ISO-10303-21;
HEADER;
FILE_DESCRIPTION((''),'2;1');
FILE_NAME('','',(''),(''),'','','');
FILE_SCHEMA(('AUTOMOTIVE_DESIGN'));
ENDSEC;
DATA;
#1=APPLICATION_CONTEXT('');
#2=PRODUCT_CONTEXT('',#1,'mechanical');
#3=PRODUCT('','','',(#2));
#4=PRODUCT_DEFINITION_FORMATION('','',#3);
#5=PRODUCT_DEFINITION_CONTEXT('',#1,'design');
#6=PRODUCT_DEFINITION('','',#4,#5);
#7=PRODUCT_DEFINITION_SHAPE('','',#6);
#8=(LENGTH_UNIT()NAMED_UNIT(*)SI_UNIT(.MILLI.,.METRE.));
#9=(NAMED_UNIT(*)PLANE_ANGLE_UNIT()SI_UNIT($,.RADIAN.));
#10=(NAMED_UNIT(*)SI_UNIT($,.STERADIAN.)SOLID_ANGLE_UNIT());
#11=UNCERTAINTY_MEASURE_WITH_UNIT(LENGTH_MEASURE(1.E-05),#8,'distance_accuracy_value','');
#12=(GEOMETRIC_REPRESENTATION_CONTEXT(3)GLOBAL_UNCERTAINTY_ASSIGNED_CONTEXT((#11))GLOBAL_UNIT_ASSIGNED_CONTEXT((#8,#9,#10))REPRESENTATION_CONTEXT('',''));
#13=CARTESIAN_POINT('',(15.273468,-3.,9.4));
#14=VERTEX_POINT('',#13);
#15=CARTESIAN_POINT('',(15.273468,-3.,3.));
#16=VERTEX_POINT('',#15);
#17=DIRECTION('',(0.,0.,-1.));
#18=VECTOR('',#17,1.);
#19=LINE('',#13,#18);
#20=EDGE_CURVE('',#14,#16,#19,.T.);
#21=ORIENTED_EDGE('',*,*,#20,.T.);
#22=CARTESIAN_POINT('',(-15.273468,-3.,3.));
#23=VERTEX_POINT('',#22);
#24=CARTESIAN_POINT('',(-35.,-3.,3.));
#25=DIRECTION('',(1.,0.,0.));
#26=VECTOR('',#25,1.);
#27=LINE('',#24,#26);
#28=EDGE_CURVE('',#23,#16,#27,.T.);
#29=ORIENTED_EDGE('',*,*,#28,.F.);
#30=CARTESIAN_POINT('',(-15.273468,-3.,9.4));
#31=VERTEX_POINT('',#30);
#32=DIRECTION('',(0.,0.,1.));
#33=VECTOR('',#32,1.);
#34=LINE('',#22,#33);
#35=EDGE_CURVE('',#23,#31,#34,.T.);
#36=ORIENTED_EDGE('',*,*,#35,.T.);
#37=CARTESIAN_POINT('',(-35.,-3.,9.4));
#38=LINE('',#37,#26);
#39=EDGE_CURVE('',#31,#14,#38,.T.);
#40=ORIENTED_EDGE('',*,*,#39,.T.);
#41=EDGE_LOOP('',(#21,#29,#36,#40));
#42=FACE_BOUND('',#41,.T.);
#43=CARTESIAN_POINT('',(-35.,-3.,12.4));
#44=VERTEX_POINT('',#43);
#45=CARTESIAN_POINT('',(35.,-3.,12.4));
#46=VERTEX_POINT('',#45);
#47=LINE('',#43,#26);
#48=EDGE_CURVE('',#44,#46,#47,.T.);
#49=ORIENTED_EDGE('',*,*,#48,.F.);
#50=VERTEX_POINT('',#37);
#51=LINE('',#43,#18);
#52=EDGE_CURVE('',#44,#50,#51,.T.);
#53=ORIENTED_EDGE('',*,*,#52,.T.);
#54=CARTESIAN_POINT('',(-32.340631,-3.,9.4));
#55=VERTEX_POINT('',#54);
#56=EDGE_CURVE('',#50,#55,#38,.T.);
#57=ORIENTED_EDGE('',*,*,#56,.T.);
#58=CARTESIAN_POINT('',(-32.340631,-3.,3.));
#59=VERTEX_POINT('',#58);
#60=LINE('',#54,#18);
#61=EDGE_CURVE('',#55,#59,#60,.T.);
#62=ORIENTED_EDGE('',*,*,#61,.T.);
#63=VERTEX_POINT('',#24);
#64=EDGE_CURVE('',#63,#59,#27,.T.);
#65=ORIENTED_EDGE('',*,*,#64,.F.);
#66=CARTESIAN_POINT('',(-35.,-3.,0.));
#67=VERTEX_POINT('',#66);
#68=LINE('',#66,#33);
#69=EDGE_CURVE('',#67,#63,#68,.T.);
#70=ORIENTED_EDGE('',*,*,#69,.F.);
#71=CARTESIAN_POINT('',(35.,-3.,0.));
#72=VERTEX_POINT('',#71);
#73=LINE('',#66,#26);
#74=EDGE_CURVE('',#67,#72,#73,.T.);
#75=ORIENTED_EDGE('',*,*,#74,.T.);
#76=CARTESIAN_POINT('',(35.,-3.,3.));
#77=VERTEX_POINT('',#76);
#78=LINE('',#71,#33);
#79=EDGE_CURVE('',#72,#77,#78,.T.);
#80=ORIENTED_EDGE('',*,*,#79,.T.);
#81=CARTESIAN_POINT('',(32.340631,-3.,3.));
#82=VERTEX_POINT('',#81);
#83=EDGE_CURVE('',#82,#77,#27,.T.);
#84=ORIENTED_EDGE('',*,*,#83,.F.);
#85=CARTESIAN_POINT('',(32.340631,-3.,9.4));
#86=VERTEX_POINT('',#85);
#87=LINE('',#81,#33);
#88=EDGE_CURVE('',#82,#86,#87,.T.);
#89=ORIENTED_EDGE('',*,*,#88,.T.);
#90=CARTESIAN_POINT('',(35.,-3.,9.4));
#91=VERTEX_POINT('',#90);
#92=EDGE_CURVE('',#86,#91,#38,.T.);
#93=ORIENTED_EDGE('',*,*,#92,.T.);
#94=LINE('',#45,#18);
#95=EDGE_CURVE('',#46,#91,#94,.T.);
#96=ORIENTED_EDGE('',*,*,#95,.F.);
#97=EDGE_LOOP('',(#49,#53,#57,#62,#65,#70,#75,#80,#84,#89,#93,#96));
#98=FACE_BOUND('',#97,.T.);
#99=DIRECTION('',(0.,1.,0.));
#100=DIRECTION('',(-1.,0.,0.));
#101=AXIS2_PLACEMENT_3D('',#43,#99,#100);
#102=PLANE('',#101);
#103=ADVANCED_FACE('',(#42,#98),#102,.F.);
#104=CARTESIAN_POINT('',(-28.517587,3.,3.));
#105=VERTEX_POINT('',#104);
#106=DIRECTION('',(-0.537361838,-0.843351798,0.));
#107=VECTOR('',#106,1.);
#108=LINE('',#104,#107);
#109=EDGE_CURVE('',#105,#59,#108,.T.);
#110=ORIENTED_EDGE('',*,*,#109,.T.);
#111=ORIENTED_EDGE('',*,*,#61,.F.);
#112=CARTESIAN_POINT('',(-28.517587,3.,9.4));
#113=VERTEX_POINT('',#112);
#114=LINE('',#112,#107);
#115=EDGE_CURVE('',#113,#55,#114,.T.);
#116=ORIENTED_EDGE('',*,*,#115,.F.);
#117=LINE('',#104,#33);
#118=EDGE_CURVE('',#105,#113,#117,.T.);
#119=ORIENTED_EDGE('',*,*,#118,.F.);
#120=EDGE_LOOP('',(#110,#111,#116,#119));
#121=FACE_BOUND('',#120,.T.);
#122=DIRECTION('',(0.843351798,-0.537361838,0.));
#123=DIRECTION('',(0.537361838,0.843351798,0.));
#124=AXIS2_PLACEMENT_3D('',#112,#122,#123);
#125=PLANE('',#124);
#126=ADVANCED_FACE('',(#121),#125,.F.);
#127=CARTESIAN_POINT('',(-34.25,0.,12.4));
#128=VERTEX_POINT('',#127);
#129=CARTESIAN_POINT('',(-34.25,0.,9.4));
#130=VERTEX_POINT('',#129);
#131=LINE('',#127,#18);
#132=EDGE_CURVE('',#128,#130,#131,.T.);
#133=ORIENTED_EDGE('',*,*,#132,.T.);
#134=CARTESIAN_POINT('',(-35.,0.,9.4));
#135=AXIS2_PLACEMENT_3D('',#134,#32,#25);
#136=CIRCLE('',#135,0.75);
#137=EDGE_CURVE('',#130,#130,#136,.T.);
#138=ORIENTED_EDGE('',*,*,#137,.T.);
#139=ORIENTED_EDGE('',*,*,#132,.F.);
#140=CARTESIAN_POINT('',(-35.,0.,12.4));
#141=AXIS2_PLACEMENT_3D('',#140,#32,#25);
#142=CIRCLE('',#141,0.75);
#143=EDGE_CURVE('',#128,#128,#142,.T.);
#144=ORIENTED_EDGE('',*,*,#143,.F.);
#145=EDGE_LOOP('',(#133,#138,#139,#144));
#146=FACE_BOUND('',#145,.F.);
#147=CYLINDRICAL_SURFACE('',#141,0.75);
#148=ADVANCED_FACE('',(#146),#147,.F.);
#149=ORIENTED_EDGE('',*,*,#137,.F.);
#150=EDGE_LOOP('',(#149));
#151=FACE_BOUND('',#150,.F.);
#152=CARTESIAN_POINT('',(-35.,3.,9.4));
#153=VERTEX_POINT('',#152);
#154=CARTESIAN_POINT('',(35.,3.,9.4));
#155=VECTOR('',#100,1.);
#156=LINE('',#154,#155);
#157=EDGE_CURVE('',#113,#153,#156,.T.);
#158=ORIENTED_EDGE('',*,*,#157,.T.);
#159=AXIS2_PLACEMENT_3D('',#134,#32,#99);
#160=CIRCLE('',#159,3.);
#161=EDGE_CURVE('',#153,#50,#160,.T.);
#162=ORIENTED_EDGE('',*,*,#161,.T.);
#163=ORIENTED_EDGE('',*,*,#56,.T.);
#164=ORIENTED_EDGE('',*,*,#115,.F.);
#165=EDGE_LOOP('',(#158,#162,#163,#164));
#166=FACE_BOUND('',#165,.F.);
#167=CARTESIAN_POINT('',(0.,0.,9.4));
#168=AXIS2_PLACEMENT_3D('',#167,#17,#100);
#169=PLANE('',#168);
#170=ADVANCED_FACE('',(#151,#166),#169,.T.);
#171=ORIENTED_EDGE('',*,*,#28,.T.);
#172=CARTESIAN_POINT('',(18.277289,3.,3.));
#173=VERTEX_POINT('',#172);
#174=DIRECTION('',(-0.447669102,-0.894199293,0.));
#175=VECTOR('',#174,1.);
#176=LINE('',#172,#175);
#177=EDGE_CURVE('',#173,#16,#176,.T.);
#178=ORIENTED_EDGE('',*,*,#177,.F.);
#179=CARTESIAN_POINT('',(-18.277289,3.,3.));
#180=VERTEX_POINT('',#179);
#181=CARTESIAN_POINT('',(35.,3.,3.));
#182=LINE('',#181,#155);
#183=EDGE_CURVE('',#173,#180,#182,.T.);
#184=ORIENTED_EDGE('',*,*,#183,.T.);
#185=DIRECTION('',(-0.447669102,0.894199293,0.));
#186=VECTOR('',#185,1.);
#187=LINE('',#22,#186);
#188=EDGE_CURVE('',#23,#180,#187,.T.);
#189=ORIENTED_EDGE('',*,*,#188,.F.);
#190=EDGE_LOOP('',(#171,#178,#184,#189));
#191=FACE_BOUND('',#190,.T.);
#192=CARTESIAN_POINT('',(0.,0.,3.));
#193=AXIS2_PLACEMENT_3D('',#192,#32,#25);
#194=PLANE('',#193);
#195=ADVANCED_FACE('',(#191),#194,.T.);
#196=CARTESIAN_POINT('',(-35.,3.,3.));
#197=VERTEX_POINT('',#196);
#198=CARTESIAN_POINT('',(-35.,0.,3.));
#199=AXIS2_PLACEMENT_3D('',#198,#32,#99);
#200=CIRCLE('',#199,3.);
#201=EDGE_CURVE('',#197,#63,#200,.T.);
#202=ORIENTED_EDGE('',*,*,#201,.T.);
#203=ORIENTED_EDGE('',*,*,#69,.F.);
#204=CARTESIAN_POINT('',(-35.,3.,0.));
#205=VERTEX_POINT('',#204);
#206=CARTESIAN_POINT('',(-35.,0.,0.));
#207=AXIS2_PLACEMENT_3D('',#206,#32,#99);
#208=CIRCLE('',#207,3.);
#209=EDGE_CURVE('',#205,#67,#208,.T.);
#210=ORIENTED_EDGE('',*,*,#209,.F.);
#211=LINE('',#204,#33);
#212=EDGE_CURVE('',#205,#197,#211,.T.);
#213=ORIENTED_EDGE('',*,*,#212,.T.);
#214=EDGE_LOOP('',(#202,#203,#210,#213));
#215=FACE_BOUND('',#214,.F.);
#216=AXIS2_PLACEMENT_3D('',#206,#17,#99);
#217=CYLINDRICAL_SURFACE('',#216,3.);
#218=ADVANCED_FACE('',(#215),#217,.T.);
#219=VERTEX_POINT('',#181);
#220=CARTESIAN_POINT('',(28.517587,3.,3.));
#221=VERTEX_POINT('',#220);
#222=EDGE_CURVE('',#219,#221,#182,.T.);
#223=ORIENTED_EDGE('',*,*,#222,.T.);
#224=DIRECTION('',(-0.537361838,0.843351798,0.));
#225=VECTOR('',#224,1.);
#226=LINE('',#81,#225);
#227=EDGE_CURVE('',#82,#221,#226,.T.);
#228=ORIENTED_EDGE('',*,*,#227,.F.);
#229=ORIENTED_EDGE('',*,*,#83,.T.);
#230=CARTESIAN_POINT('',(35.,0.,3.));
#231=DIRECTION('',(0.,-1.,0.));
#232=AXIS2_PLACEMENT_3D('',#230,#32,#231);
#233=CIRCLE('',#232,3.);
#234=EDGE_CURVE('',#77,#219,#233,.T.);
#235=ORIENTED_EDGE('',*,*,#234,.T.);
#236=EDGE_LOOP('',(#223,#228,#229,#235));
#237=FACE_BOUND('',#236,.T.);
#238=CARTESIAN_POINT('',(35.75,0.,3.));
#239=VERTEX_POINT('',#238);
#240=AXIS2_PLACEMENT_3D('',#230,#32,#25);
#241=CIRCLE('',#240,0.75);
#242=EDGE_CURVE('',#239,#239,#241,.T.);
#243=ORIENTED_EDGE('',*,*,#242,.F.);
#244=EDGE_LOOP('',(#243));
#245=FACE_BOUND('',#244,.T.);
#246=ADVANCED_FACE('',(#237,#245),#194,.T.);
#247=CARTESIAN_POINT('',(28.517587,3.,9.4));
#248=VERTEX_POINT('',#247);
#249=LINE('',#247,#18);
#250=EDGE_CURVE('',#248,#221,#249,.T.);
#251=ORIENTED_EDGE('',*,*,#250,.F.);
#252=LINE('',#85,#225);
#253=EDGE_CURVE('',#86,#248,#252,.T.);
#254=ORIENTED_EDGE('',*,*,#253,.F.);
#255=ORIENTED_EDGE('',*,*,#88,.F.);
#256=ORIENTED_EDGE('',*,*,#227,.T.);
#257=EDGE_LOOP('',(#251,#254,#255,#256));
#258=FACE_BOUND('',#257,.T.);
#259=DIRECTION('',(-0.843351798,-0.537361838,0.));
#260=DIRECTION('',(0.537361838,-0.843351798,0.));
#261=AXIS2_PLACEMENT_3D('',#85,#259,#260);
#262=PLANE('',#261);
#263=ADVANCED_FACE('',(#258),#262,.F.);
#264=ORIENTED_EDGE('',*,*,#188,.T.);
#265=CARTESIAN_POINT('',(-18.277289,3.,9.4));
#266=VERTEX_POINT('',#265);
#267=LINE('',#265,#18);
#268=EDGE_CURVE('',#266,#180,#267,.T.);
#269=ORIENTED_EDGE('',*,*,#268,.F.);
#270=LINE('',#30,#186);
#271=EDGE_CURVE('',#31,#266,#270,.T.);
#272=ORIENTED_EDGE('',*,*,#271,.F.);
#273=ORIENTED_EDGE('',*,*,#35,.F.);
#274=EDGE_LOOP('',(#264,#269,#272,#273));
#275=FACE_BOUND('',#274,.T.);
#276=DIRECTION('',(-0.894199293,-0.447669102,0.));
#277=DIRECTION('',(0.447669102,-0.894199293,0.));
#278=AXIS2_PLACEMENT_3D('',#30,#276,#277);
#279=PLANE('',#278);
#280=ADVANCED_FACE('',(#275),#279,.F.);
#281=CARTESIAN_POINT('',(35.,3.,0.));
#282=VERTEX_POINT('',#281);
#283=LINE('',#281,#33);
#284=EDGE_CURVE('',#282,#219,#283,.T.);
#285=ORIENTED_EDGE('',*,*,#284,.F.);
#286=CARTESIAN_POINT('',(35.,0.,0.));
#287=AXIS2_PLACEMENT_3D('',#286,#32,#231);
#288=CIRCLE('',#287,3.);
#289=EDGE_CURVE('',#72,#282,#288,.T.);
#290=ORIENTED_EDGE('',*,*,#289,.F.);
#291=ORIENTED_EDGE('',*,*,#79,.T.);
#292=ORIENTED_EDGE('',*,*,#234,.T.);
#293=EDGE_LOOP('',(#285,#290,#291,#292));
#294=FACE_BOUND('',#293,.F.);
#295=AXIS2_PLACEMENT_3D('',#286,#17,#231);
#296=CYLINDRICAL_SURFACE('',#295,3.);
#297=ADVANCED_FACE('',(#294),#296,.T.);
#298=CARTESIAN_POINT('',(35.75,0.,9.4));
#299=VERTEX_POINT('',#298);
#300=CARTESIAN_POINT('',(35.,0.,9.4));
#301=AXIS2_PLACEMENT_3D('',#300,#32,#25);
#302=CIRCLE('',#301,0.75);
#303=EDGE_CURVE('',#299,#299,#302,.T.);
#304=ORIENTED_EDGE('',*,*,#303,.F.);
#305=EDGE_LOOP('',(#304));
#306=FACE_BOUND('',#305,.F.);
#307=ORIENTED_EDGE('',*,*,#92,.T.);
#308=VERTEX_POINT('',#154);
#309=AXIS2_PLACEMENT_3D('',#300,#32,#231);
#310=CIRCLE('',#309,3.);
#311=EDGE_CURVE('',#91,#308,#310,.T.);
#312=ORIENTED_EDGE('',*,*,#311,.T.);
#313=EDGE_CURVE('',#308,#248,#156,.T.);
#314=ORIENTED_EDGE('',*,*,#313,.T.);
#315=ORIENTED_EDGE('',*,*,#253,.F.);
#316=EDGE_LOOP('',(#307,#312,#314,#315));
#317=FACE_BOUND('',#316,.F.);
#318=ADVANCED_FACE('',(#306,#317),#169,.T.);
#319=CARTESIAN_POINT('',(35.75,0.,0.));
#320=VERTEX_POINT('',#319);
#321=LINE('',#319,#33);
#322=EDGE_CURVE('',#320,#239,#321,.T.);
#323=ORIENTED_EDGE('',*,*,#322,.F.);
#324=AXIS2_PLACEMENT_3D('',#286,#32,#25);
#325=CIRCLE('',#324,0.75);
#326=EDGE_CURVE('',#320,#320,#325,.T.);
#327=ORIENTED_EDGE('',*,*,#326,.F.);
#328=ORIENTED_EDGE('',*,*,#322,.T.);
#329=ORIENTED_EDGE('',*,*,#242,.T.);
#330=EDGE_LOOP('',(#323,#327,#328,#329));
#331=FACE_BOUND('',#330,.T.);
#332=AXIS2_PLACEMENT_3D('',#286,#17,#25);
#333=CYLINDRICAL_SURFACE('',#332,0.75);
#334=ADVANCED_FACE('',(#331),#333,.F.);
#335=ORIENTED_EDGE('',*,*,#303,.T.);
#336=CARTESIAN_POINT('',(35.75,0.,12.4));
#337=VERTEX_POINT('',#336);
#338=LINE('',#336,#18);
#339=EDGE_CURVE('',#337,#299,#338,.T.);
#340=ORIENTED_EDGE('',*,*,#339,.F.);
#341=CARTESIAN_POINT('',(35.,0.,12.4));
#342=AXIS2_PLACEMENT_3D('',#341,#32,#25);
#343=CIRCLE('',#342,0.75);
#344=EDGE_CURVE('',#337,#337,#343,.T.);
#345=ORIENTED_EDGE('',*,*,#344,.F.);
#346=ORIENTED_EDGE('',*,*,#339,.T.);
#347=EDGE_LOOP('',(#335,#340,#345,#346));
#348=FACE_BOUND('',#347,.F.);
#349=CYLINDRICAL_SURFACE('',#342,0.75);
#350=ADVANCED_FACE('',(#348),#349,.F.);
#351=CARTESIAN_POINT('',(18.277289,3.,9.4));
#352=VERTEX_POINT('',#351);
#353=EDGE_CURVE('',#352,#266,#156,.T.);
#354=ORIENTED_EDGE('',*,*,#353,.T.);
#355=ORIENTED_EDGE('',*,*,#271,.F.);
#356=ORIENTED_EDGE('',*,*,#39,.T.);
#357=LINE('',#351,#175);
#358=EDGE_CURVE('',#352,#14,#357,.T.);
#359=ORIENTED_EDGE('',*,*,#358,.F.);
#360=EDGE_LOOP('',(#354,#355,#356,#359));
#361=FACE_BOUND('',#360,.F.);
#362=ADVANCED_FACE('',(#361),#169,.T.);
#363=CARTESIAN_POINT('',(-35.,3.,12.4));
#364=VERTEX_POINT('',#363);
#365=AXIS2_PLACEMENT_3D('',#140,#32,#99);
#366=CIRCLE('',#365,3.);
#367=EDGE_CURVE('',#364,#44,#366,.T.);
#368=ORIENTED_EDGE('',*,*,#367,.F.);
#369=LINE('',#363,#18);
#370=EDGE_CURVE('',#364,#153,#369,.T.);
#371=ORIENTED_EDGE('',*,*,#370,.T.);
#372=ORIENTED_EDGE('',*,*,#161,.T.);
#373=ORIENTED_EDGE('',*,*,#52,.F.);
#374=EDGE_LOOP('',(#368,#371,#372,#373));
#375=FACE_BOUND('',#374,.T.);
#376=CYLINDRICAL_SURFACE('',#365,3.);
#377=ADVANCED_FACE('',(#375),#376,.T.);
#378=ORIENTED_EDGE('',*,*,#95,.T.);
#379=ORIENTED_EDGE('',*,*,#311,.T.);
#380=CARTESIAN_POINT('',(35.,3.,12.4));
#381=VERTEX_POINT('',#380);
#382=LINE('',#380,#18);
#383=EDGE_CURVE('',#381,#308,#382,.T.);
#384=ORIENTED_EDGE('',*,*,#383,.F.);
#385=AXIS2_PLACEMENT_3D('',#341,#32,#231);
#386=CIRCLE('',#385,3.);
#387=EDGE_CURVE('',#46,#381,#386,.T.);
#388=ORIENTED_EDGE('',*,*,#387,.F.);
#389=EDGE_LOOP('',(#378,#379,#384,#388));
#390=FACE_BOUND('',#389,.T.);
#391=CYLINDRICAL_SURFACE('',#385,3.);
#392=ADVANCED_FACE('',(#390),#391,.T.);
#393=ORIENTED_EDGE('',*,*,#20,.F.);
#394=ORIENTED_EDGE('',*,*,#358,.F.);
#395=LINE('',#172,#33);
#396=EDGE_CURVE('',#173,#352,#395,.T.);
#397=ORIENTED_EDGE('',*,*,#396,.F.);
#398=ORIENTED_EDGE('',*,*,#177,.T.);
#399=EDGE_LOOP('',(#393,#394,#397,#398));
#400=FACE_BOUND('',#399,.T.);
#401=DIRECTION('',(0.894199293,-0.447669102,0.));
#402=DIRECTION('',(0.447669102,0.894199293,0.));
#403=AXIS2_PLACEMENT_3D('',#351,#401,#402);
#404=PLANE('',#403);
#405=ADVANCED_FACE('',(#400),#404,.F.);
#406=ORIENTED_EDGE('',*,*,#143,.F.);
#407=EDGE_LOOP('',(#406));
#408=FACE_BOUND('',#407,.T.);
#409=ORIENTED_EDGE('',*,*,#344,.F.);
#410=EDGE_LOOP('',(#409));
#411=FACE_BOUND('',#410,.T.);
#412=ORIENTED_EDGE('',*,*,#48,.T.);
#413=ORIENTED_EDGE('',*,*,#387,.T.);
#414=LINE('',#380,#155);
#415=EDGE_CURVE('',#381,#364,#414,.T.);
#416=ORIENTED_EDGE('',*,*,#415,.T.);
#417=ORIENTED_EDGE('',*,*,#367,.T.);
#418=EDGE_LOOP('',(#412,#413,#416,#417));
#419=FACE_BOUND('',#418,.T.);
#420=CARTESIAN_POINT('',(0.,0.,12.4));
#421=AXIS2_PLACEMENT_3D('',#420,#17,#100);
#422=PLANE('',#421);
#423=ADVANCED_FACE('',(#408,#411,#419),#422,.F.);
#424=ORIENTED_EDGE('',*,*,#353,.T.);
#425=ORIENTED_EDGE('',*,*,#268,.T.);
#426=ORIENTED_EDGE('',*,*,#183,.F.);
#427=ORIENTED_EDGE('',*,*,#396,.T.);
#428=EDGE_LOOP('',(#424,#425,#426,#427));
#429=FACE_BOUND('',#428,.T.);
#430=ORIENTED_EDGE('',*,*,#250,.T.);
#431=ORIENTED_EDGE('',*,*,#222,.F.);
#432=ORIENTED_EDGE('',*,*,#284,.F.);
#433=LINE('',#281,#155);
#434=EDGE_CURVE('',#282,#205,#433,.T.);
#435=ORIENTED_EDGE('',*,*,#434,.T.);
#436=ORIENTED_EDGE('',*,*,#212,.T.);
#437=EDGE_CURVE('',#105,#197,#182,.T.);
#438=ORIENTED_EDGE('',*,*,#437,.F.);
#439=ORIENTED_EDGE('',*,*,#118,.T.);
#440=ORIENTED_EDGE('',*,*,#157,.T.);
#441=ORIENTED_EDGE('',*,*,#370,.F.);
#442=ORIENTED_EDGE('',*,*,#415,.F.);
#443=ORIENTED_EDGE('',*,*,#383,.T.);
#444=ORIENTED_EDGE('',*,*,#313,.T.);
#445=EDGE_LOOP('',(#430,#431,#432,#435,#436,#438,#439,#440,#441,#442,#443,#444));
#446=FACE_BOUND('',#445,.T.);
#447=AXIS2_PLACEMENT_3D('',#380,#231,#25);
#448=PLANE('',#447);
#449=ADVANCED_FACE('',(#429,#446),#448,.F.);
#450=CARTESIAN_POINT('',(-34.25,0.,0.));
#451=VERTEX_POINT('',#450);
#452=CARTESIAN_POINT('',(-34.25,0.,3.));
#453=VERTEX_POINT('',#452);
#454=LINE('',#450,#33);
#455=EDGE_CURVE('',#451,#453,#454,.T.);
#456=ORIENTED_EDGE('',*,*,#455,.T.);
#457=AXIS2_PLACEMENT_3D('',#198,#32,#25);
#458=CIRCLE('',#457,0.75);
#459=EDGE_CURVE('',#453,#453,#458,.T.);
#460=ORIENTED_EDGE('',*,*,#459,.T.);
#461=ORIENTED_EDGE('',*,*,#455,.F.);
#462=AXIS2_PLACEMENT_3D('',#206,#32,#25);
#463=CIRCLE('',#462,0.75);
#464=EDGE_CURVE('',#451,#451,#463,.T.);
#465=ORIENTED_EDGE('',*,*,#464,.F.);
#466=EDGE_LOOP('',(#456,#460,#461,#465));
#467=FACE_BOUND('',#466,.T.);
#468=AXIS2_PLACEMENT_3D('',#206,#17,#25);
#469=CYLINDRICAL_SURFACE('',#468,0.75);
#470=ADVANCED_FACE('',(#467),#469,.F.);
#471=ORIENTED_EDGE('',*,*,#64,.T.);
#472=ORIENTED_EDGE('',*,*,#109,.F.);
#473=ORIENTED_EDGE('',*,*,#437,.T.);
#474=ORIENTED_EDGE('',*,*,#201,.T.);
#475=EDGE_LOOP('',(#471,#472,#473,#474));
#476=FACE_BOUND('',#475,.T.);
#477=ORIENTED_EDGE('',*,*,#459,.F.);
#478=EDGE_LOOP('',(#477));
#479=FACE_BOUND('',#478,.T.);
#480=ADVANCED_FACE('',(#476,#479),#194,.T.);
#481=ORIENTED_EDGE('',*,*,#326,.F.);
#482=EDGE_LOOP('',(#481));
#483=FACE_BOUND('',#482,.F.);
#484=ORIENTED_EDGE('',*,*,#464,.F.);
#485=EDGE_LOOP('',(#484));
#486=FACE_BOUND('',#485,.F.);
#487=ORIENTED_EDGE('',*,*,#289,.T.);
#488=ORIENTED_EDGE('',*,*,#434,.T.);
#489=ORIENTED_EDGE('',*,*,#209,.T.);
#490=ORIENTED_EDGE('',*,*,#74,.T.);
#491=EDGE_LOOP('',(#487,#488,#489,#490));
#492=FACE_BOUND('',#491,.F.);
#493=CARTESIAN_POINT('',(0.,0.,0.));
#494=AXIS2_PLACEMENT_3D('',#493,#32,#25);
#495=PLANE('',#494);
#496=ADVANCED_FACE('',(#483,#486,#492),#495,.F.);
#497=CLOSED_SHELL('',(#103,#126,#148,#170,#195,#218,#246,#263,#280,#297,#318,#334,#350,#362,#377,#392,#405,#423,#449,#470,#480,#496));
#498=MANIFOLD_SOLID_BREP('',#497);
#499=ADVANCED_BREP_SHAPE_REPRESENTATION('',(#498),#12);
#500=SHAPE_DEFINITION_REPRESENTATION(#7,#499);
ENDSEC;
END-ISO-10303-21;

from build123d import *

# Parameters (mm, degrees)
F0_R     = 0.75
F1_DEPTH = 3
F3_DEPTH = 3.2


with BuildPart() as f1:
    # F0 (on Top) → F1 (new body)
    with BuildSketch(Plane.XY):
        with BuildLine():
            ThreePointArc((35, -3), (38, 0), (35, 3))
            Line((35, 3), (-35, 3))
            ThreePointArc((-35, 3), (-38, 0), (-35, -3))
            Line((-35, -3), (35, -3))
        make_face()
        with Locations((-35, 0)):
            Circle(F0_R, mode=Mode.SUBTRACT)
        with Locations((35, 0)):
            Circle(F0_R, mode=Mode.SUBTRACT)
    extrude(amount=F1_DEPTH)

    # F2 (on face) → F3 (join)
    with BuildSketch(Plane.XY.offset(3)):
        Polygon((-28.517587, 3), (-32.340631, -3), (-15.273468, -3), (-18.277289, 3), align=None)
        Polygon((18.277289, 3), (15.273468, -3), (32.340631, -3), (28.517587, 3), align=None)
    extrude(amount=F3_DEPTH)

    # F4: F1 across face


with BuildPart() as f1_1:
    add(f1.part)
    add(f1.part.mirror(Plane(origin=(23.619311, -0.25, 6.2), x_dir=(1, 0, 0), z_dir=(0, 0, 1))))


solid = f1_1.part
